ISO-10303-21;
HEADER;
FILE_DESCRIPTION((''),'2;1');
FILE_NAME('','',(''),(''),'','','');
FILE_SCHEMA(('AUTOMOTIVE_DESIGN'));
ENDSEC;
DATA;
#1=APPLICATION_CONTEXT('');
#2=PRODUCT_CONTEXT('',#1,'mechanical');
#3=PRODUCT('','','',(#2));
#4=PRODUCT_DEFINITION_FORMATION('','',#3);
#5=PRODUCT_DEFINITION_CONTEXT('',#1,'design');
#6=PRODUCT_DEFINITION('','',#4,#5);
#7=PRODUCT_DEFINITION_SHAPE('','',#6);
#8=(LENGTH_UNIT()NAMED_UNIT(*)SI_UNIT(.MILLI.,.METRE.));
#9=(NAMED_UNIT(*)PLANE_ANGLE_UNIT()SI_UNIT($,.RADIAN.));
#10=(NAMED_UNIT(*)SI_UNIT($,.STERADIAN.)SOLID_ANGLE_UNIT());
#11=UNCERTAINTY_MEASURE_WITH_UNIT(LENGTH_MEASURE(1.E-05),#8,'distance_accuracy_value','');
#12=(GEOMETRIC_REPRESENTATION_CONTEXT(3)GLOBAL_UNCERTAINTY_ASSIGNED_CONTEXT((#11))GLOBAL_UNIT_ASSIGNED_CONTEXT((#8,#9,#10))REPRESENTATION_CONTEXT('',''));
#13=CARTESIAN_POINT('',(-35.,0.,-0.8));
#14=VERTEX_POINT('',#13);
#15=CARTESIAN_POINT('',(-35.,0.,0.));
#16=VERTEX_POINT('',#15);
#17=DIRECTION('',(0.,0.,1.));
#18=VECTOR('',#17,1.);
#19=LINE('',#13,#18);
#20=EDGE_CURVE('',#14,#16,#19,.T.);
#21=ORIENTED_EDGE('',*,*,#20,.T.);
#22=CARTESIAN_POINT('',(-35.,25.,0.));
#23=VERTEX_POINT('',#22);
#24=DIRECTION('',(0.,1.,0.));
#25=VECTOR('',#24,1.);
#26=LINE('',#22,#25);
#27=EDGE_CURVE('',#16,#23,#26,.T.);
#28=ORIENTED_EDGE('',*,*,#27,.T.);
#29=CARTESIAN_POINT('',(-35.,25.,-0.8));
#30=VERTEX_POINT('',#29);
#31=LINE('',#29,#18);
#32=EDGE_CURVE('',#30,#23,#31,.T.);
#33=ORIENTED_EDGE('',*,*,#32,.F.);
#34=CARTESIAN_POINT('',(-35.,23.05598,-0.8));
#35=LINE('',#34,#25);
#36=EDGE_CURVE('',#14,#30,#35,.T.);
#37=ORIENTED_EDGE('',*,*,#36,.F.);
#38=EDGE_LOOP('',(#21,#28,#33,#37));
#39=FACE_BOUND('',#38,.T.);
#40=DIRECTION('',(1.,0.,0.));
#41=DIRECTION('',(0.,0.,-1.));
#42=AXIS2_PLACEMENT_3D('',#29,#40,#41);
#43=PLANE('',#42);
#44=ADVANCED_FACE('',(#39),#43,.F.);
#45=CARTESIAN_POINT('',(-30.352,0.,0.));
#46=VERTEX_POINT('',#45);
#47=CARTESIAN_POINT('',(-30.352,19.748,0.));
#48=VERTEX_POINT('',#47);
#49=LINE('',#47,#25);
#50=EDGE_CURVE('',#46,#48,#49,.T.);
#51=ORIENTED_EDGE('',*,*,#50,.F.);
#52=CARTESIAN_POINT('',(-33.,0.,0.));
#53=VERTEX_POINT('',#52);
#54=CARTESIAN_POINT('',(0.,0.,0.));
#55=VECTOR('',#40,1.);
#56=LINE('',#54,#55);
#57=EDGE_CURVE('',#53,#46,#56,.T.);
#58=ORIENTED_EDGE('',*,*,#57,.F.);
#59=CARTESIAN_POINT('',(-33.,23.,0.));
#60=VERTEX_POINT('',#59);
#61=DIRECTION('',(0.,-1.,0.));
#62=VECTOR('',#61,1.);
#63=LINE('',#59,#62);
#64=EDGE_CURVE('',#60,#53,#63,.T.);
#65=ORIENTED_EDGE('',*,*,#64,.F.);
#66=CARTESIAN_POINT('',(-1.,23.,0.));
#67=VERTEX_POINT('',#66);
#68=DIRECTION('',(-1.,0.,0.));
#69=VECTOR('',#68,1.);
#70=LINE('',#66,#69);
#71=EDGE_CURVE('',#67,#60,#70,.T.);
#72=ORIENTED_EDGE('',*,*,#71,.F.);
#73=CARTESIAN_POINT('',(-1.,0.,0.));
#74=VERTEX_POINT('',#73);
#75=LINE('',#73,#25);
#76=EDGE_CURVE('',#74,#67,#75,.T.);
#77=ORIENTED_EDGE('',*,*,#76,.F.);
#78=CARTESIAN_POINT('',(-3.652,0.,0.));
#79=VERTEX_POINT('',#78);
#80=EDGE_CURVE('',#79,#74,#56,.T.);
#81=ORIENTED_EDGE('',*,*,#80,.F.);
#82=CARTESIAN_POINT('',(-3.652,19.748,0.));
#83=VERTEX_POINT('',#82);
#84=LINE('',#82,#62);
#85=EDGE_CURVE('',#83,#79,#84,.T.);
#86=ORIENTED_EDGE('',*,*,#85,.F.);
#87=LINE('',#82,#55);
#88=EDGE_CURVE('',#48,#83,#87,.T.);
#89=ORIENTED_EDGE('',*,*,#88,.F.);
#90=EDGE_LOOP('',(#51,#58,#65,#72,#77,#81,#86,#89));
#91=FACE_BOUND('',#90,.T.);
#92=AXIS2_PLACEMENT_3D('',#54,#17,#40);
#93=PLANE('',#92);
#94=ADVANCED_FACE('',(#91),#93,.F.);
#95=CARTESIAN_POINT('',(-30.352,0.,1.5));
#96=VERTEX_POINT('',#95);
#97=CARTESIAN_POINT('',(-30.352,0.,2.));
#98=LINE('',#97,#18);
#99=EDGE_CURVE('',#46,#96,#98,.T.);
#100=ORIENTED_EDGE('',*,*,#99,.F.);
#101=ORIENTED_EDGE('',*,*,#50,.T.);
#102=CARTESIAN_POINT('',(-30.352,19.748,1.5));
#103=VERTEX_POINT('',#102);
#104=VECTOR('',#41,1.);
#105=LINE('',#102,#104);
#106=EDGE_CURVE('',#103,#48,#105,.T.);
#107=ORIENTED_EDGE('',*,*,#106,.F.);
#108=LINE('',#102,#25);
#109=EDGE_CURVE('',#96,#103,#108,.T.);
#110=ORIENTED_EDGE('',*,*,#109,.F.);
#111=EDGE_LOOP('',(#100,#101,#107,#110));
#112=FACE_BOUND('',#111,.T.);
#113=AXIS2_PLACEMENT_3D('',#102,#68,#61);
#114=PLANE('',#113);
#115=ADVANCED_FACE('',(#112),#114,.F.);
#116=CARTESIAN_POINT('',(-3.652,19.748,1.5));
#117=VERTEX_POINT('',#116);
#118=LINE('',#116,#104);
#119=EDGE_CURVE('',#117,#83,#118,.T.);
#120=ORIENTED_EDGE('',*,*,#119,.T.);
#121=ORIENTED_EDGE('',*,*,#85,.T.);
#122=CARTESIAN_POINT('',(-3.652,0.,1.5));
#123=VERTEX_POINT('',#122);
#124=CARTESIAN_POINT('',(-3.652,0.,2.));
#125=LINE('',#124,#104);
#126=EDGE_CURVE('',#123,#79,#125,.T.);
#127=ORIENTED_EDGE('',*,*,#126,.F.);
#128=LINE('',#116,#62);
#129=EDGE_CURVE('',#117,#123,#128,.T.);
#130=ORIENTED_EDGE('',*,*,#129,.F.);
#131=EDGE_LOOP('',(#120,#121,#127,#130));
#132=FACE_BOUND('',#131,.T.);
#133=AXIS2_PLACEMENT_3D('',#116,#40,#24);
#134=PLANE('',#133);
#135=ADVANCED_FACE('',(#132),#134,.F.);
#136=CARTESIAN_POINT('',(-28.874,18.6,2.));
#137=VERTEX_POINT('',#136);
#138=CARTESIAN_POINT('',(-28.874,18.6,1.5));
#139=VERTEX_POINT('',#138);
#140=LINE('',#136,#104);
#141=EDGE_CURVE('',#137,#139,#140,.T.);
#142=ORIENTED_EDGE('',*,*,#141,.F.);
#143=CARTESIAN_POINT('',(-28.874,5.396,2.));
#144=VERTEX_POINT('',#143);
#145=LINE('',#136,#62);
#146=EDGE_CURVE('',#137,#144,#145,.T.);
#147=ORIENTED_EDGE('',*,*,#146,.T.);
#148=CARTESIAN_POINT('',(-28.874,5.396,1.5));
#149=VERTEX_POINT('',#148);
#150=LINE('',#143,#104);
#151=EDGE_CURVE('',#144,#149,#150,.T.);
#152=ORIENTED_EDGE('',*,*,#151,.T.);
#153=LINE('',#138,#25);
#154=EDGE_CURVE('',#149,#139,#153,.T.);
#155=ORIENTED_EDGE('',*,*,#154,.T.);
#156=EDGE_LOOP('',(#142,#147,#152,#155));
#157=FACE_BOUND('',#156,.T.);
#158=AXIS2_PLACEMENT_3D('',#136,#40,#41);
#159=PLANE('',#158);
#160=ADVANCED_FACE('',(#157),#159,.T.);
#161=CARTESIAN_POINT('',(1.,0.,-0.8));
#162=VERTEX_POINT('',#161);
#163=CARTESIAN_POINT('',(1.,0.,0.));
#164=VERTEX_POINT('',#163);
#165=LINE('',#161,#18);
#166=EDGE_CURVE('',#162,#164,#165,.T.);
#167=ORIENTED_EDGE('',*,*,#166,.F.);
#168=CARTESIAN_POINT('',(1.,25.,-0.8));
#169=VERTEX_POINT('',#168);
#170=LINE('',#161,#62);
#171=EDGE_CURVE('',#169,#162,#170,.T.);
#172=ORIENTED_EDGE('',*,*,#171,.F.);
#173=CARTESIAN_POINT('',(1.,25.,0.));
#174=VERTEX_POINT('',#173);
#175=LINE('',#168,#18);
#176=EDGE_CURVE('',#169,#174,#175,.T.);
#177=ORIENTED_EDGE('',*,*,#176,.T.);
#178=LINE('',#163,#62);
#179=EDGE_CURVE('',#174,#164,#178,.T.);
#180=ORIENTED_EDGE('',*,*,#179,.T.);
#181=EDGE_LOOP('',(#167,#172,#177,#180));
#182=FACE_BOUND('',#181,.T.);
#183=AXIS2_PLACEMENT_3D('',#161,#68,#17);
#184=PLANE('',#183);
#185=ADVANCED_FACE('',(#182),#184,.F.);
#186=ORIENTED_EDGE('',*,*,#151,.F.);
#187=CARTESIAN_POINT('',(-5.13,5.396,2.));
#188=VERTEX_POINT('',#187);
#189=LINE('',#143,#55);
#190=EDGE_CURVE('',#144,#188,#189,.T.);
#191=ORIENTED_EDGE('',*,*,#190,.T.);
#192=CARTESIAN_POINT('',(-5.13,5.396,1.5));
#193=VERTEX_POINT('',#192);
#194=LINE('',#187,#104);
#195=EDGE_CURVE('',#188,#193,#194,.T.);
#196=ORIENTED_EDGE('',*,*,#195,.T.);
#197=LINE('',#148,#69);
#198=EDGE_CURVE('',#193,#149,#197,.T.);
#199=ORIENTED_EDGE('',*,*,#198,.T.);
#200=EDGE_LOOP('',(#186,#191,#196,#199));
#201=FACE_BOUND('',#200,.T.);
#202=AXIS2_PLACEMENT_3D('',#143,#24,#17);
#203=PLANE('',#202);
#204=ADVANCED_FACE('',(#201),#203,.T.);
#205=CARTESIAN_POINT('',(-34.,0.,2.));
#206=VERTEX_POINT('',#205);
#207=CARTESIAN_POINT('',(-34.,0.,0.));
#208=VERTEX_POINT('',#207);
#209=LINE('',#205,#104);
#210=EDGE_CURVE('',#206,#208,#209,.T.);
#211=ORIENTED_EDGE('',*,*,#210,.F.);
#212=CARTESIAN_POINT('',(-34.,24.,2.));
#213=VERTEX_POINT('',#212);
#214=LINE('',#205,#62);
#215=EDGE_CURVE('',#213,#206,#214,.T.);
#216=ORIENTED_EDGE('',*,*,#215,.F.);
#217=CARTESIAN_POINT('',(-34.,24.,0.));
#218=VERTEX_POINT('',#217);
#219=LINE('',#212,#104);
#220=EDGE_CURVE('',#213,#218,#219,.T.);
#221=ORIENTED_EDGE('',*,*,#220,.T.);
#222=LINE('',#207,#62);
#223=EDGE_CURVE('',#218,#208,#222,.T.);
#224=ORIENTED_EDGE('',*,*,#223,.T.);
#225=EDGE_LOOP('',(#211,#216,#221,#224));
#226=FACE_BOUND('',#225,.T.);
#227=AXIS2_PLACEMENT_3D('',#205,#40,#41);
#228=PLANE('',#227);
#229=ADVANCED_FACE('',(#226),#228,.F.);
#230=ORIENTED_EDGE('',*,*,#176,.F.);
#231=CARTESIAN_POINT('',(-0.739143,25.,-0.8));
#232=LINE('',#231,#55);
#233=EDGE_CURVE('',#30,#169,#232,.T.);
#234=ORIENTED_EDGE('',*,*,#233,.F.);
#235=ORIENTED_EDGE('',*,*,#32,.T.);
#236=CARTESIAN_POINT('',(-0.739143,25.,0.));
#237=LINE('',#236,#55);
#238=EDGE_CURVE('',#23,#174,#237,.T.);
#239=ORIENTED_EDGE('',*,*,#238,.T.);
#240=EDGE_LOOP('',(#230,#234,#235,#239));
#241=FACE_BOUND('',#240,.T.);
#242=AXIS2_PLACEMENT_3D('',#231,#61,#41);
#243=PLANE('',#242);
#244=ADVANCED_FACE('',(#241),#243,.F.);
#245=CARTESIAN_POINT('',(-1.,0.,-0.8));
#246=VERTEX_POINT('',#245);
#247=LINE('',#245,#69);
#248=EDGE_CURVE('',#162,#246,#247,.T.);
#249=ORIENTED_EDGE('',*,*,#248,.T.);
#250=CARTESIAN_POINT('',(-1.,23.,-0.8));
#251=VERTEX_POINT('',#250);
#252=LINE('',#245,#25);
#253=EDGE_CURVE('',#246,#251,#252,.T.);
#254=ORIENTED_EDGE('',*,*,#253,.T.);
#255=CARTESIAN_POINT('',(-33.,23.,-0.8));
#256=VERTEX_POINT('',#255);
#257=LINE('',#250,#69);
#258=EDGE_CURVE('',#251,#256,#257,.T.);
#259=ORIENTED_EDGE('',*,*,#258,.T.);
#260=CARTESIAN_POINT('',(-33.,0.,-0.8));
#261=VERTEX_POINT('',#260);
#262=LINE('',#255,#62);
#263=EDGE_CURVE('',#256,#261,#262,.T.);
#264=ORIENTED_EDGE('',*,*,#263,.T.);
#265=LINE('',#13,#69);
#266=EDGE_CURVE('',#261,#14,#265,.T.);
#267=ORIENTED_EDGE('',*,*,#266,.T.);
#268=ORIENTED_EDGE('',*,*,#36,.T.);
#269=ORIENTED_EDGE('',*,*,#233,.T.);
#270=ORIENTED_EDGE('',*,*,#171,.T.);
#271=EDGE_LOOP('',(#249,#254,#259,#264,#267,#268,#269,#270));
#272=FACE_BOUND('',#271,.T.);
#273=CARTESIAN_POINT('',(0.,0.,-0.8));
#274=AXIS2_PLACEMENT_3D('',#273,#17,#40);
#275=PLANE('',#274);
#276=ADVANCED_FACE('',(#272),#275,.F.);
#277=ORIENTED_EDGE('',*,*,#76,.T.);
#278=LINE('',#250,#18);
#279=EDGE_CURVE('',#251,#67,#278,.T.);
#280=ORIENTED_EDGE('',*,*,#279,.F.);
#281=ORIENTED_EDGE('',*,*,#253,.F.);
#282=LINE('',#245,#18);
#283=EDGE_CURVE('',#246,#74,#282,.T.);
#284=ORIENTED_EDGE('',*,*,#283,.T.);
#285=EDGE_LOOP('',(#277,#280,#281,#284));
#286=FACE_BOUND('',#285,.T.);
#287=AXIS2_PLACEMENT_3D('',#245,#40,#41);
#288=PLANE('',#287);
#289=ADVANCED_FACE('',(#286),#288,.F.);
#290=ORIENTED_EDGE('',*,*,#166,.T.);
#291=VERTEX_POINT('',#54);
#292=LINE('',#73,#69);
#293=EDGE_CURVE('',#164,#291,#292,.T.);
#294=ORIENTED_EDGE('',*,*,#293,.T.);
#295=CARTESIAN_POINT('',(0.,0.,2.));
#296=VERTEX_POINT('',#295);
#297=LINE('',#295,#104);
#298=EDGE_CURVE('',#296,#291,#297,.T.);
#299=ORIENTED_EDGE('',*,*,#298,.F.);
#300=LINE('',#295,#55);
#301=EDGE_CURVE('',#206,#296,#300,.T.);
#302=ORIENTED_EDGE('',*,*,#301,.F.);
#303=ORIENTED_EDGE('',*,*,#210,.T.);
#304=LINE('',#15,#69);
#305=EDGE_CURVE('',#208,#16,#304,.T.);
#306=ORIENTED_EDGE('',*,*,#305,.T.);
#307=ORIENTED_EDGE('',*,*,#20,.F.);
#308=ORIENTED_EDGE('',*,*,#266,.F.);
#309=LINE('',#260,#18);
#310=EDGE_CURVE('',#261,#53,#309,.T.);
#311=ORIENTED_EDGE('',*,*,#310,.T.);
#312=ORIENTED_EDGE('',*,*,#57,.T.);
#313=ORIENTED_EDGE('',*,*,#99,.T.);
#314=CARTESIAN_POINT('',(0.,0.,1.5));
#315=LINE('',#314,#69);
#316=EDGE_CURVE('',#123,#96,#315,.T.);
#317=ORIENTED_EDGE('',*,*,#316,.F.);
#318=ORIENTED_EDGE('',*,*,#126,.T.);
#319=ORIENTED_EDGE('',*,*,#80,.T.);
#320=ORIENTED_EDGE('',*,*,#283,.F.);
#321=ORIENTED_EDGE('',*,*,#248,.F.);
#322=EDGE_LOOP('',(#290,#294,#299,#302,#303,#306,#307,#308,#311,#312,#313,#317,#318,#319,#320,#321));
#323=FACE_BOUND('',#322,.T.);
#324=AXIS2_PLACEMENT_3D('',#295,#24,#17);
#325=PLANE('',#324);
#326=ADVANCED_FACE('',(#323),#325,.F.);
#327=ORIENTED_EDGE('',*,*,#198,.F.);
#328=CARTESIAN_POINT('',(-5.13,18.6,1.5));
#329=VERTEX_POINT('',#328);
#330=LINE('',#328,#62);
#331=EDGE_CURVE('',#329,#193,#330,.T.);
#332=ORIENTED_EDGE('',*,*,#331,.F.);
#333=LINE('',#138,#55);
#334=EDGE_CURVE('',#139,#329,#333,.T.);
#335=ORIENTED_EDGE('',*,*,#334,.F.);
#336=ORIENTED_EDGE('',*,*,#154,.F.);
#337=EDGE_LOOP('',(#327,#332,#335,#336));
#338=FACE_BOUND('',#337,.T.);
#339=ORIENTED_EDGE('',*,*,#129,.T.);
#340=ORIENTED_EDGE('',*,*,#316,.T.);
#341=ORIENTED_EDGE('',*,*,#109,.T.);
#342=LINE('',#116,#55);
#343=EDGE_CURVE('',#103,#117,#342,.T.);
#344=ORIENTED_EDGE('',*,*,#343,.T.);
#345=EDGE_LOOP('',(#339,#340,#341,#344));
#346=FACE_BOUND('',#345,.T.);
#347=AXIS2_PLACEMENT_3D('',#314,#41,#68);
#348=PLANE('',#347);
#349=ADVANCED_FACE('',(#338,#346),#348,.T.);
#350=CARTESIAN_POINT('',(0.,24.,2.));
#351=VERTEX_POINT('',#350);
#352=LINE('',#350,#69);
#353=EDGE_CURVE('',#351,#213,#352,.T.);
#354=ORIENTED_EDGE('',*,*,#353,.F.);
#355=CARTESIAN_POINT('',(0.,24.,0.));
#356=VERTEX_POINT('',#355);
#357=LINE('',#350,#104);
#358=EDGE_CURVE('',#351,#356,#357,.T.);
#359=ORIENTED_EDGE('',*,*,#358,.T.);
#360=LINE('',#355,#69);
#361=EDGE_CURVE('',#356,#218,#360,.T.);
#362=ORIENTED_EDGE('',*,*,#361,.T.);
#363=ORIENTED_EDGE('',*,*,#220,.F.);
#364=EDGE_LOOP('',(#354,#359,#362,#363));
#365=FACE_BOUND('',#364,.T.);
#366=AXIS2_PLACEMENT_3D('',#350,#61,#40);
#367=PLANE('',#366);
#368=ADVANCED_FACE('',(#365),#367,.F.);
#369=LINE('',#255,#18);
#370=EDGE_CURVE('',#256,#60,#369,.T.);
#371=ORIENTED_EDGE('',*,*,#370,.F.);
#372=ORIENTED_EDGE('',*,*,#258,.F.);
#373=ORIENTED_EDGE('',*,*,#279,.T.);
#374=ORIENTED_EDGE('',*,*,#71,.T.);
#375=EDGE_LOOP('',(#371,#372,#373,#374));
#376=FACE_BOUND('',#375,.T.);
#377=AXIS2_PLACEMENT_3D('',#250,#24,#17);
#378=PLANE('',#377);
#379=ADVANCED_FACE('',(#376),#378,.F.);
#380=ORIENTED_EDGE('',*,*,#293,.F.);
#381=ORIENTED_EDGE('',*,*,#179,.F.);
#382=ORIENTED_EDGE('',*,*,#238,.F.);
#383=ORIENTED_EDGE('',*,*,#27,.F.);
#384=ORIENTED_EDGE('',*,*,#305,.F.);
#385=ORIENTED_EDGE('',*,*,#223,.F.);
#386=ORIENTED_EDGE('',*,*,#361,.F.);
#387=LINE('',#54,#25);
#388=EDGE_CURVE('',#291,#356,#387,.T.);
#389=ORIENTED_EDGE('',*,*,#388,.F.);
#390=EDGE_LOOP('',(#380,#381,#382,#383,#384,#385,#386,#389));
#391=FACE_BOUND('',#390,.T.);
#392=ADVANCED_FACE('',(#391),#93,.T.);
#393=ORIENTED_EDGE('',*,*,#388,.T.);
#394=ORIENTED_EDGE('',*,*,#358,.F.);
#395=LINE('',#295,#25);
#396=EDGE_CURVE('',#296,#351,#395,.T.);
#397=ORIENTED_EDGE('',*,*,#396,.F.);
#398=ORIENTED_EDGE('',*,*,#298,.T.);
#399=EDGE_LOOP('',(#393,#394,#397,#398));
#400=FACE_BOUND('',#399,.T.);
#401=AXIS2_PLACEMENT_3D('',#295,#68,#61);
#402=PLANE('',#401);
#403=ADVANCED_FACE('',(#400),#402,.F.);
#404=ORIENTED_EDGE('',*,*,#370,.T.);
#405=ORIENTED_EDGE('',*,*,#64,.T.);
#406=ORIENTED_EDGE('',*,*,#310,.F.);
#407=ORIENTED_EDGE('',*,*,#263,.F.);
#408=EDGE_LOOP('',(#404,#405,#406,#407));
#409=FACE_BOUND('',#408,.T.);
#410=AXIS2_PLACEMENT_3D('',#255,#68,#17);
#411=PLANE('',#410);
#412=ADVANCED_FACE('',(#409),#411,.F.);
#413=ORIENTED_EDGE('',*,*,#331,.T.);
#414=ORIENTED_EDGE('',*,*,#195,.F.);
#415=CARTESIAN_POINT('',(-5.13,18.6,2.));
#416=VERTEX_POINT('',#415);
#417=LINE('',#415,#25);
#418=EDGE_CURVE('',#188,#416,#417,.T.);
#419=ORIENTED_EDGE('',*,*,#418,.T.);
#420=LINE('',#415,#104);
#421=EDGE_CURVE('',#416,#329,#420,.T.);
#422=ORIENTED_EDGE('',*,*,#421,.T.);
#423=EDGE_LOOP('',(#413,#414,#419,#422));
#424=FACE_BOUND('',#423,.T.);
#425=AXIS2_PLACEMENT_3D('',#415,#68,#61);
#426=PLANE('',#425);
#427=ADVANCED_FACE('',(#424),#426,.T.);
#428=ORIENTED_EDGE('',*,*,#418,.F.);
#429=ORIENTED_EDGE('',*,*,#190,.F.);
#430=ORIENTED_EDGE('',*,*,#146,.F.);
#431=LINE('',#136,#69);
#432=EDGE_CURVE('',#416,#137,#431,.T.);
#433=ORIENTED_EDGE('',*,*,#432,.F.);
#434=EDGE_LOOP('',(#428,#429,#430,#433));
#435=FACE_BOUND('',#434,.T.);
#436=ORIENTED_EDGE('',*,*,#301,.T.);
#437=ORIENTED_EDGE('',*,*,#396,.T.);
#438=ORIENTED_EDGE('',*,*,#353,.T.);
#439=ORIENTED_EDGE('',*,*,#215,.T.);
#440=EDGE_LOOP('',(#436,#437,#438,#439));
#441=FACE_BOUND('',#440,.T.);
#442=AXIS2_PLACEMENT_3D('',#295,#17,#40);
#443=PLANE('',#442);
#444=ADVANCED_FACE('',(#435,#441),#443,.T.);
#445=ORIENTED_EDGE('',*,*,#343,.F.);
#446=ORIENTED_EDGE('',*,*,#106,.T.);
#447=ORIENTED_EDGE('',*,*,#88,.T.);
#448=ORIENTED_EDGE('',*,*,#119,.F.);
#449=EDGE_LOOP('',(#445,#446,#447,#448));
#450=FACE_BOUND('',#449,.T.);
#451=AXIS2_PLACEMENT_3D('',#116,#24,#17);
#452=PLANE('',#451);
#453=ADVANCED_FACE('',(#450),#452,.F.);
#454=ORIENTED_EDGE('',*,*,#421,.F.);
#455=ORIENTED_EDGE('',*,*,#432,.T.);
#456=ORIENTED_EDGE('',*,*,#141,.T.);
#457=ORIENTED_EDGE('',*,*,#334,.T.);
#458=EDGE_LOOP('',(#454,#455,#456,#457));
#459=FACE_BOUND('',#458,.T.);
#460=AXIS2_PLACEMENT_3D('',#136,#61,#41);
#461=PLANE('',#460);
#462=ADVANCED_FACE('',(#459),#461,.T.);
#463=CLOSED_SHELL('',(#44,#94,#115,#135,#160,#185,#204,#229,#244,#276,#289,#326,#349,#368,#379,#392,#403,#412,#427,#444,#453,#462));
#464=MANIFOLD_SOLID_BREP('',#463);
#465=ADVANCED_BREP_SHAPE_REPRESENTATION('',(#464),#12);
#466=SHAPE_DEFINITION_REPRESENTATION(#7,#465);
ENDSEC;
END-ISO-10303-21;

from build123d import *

# Parameters (mm, degrees)
SKETCH1_W           = 34
SKETCH1_H           = 24
SKETCH1_W_2         = 23.744
SKETCH1_H_2         = 13.204
BOSS_EXTRUDE1_DEPTH = 2
SKETCH3_W           = 26.7
SKETCH3_H           = 22
CUT_EXTRUDE1_DEPTH  = 1.5
BOSS_EXTRUDE2_DEPTH = 0.8


with BuildPart() as part:
    # Sketch1 → Boss-Extrude1 (new body)
    with BuildSketch(Plane.XY):
        with Locations((-17, 12)):
            Rectangle(SKETCH1_W, SKETCH1_H)
        with Locations((-17.002, 11.998)):
            Rectangle(SKETCH1_W_2, SKETCH1_H_2, mode=Mode.SUBTRACT)
    extrude(amount=BOSS_EXTRUDE1_DEPTH)

    # Sketch3 → Cut-Extrude1 (cut)
    with BuildSketch(Plane(origin=(0, 0, 0), x_dir=(-1, 0, 0), z_dir=(0, 0, -1))):
        with Locations((17.002, 8.748)):
            Rectangle(SKETCH3_W, SKETCH3_H)
    extrude(amount=-CUT_EXTRUDE1_DEPTH, mode=Mode.SUBTRACT)

    # Sketch4 → Boss-Extrude2 (add)
    with BuildSketch(Plane(origin=(0, 0, 0), x_dir=(-1, 0, 0), z_dir=(0, 0, -1))):
        Polygon((1, 0), (-1, 0), (-1, 25), (0.739142899, 25), (35, 25), (35, 23.055979858), (35, 0), (33, 0), (33, 23), (1, 23), align=None)
    extrude(amount=BOSS_EXTRUDE2_DEPTH)


solid = part.part
